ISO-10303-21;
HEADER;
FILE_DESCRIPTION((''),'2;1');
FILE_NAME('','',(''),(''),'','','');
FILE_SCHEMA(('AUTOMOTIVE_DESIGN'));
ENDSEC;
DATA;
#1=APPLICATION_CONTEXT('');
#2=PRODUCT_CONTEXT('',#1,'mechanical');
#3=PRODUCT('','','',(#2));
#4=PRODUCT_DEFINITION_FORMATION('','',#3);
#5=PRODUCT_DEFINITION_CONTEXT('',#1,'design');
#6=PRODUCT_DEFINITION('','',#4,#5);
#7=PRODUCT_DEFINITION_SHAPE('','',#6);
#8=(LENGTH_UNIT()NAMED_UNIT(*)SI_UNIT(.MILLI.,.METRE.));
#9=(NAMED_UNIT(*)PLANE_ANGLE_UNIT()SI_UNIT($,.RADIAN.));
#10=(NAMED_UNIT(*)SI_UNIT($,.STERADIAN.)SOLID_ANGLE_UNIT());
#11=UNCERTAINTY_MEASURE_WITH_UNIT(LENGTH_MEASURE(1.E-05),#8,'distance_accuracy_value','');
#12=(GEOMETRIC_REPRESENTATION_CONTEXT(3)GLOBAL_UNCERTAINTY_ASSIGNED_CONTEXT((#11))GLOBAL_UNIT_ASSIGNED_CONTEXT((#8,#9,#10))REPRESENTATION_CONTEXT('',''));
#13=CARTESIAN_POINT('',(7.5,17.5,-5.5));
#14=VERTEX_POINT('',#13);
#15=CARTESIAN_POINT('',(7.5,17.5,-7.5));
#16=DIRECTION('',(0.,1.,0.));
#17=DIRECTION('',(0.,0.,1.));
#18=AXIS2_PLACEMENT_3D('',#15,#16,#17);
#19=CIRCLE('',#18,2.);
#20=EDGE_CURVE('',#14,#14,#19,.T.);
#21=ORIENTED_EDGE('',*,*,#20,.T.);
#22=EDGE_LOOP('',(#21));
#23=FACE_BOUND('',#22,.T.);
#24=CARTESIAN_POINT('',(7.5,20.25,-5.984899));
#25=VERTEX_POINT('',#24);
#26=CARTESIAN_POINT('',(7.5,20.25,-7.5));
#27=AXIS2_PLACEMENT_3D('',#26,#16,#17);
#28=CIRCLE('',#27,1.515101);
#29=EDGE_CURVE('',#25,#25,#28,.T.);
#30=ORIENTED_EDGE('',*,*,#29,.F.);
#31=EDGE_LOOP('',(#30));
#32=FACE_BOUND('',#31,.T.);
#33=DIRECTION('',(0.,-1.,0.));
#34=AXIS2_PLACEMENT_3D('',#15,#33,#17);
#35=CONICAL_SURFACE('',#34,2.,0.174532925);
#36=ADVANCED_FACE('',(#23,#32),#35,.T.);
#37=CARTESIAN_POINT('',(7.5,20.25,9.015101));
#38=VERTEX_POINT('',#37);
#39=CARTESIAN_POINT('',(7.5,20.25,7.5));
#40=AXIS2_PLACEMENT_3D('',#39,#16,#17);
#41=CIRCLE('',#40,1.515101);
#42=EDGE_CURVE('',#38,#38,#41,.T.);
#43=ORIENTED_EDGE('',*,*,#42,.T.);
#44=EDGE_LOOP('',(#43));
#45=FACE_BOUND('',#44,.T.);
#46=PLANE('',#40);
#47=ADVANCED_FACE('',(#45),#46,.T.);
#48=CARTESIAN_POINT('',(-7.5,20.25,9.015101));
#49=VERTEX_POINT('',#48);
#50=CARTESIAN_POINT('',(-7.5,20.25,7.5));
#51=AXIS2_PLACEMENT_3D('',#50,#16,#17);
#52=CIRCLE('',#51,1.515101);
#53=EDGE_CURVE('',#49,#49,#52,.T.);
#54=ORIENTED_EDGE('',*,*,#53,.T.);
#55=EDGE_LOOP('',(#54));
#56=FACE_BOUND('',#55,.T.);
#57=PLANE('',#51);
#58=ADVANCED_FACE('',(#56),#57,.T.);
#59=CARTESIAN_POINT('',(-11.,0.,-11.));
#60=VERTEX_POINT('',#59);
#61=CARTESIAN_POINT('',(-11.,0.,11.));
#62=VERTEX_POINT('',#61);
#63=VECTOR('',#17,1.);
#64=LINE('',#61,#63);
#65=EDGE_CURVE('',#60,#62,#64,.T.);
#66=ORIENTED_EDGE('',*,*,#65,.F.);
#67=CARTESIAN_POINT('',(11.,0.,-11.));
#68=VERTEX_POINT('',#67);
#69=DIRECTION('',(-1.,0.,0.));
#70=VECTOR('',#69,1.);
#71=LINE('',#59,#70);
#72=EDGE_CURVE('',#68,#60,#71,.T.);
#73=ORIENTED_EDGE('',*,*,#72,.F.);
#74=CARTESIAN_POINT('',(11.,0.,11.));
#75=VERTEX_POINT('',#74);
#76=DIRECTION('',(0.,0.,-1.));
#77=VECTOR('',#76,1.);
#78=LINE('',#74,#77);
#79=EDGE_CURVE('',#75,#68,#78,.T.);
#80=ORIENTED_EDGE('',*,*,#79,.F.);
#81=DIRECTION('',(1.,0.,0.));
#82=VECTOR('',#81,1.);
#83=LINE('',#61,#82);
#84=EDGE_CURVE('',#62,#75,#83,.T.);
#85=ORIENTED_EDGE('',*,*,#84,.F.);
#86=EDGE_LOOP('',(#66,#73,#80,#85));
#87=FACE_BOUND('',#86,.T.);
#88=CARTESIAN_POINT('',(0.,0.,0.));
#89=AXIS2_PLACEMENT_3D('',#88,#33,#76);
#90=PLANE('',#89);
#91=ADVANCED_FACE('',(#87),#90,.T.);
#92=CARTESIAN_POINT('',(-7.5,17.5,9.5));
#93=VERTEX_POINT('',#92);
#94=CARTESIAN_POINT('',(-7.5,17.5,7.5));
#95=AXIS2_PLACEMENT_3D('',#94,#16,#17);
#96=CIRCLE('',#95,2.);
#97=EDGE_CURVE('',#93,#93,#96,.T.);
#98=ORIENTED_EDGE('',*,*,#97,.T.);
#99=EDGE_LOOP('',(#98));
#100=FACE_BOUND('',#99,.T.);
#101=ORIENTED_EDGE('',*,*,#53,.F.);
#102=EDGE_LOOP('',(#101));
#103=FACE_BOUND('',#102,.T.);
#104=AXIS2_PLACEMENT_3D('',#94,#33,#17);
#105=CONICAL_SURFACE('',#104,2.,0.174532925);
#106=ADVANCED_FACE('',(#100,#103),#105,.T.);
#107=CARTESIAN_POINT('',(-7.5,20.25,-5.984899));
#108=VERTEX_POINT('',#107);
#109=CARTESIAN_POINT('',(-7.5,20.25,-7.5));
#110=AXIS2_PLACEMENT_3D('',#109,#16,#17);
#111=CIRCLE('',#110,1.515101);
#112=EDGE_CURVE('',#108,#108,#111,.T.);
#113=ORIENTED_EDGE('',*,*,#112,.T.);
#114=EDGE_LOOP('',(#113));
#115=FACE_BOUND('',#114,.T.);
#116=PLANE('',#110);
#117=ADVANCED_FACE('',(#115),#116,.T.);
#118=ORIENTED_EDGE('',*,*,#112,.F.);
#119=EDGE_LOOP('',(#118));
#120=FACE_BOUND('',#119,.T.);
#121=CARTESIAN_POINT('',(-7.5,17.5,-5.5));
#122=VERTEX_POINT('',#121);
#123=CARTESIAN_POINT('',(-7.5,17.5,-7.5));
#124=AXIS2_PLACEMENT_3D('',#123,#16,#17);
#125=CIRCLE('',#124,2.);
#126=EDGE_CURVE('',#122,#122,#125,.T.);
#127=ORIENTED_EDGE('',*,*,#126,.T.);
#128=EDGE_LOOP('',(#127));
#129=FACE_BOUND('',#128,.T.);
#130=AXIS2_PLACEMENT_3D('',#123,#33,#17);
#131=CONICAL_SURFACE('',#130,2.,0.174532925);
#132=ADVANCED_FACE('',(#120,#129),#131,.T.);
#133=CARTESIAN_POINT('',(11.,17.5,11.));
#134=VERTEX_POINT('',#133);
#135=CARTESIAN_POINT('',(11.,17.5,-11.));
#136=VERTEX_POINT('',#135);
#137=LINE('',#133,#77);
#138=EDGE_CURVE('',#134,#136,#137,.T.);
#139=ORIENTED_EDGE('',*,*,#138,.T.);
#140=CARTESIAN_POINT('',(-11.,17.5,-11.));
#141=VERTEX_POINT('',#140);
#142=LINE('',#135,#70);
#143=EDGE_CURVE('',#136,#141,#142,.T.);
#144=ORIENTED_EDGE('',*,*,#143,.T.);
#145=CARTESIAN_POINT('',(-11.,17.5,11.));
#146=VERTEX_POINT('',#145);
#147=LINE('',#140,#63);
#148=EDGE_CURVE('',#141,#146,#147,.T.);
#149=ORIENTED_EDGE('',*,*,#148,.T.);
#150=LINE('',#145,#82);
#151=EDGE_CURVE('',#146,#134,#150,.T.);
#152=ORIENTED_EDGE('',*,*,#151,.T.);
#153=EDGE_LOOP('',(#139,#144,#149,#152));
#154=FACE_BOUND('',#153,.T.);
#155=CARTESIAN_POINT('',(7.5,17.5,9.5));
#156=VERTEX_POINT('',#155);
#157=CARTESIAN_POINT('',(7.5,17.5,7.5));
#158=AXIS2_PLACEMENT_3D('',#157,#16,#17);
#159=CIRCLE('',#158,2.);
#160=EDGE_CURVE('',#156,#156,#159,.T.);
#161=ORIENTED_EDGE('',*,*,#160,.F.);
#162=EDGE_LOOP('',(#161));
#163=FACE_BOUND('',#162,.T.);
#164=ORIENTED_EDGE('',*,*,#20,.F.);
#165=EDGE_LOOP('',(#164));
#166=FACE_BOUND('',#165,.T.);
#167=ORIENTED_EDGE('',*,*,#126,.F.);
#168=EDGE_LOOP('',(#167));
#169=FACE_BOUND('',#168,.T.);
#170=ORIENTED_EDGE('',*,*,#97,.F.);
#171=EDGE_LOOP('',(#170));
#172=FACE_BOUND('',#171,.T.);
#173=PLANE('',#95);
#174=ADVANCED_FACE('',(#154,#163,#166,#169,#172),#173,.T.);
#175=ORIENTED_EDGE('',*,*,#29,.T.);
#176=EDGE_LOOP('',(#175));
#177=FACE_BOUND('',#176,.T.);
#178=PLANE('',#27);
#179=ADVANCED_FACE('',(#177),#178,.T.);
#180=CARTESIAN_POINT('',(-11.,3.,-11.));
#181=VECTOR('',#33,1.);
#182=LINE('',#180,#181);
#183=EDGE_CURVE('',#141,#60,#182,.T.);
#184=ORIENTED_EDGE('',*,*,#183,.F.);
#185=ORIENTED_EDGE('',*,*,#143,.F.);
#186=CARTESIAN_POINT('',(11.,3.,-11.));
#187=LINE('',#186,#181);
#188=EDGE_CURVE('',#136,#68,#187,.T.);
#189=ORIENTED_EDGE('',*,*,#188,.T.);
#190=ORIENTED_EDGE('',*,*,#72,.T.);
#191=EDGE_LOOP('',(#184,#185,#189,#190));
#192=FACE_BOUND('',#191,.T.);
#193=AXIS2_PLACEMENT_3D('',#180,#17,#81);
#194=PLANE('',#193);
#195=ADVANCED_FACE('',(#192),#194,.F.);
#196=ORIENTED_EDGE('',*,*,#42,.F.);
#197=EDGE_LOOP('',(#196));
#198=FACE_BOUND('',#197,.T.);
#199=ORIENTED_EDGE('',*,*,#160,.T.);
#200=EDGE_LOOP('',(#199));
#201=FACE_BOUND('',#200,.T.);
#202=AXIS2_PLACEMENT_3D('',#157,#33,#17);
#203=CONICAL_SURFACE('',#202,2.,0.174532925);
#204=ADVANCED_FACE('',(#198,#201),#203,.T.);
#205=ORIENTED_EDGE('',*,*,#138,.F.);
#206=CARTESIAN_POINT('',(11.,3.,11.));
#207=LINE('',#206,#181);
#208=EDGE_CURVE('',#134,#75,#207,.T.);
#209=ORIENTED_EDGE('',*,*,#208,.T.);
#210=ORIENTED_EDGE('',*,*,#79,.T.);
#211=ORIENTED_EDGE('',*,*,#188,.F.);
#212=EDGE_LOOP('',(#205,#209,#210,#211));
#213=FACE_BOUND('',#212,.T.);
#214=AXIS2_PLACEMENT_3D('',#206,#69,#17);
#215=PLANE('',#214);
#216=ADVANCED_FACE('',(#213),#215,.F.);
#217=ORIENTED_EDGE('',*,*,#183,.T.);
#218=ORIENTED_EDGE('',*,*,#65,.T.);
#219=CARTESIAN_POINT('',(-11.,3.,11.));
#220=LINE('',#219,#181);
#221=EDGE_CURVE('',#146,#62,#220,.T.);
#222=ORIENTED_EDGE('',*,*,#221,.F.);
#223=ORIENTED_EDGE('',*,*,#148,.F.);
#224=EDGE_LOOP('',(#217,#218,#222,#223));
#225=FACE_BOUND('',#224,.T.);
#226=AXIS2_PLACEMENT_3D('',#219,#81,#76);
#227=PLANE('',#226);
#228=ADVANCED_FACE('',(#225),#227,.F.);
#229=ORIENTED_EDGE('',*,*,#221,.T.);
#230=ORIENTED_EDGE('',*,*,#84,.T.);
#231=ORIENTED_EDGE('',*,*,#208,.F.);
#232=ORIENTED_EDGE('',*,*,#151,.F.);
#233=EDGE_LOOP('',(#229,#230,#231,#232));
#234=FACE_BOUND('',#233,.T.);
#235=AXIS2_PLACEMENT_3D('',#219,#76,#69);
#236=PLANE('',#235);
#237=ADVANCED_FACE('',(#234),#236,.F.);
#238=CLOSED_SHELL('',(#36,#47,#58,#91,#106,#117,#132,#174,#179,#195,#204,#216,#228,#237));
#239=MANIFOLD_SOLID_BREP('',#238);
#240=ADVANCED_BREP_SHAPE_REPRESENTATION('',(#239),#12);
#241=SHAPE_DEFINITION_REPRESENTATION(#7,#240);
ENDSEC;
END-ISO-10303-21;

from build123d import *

# Parameters (mm, degrees)
SKETCH1_W           = 22
SKETCH1_H           = 22
BOSS_EXTRUDE1_DEPTH = 3
SKETCH2_R           = 2
BOSS_EXTRUDE2_DEPTH = 14.5
SKETCH3_R           = 2
BOSS_EXTRUDE3_DEPTH = 2.75
BOSS_EXTRUDE3_TAPER = 10
BOSS_EXTRUDE4_DEPTH = 14.5
BOSS_EXTRUDE5_DEPTH = 14.5
SKETCH6_W           = 22
SKETCH6_H           = 22
BOSS_EXTRUDE6_DEPTH = 14.5


with BuildPart() as part:
    # Sketch1 → Boss-Extrude1 (new body)
    with BuildSketch(Plane(origin=(0, 0, 0), x_dir=(1, 0, 0), z_dir=(0, 1, 0))):
        Rectangle(SKETCH1_W, SKETCH1_H)
    extrude(amount=BOSS_EXTRUDE1_DEPTH)

    # Sketch2 → Boss-Extrude2 (add)
    with BuildSketch(Plane(origin=(0, 3, 0), x_dir=(1, 0, 0), z_dir=(0, 1, 0))):
        with Locations((-7.5, 7.5)):
            Circle(SKETCH2_R)
        with Locations((7.5, 7.5)):
            Circle(SKETCH2_R)
        with Locations((7.5, -7.5)):
            Circle(SKETCH2_R)
        with Locations((-7.5, -7.5)):
            Circle(SKETCH2_R)
    extrude(amount=BOSS_EXTRUDE2_DEPTH)

    # Sketch3 → Boss-Extrude3 (add)
    with BuildSketch(Plane(origin=(0, 17.5, 0), x_dir=(1, 0, 0), z_dir=(0, 1, 0))):
        with Locations((7.5, -7.5)):
            Circle(SKETCH3_R)
        with Locations((7.5, 7.5)):
            Circle(SKETCH3_R)
        with Locations((-7.5, 7.5)):
            Circle(SKETCH3_R)
        with Locations((-7.5, -7.5)):
            Circle(SKETCH3_R)
    extrude(amount=BOSS_EXTRUDE3_DEPTH, taper=BOSS_EXTRUDE3_TAPER)

    # Sketch4 → Boss-Extrude4 (add)
    with BuildSketch(Plane(origin=(0, 3, 0), x_dir=(1, 0, 0), z_dir=(0, 1, 0))):
        Polygon((-7.217157288, -7.782842712), (7.782842712, 7.217157288), (7.217157288, 7.782842712), (-7.782842712, -7.217157288), align=None)
    extrude(amount=BOSS_EXTRUDE4_DEPTH)

    # Sketch5 → Boss-Extrude5 (add)
    with BuildSketch(Plane(origin=(0, 3, 0), x_dir=(1, 0, 0), z_dir=(0, 1, 0))):
        Polygon((-7.217157288, 7.782842712), (7.782842712, -7.217157288), (7.217157288, -7.782842712), (-7.782842712, 7.217157288), align=None)
    extrude(amount=BOSS_EXTRUDE5_DEPTH)

    # Sketch6 → Boss-Extrude6 (add)
    with BuildSketch(Plane(origin=(0, 3, 0), x_dir=(1, 0, 0), z_dir=(0, 1, 0))):
        Rectangle(SKETCH6_W, SKETCH6_H)
    extrude(amount=BOSS_EXTRUDE6_DEPTH)


solid = part.part
